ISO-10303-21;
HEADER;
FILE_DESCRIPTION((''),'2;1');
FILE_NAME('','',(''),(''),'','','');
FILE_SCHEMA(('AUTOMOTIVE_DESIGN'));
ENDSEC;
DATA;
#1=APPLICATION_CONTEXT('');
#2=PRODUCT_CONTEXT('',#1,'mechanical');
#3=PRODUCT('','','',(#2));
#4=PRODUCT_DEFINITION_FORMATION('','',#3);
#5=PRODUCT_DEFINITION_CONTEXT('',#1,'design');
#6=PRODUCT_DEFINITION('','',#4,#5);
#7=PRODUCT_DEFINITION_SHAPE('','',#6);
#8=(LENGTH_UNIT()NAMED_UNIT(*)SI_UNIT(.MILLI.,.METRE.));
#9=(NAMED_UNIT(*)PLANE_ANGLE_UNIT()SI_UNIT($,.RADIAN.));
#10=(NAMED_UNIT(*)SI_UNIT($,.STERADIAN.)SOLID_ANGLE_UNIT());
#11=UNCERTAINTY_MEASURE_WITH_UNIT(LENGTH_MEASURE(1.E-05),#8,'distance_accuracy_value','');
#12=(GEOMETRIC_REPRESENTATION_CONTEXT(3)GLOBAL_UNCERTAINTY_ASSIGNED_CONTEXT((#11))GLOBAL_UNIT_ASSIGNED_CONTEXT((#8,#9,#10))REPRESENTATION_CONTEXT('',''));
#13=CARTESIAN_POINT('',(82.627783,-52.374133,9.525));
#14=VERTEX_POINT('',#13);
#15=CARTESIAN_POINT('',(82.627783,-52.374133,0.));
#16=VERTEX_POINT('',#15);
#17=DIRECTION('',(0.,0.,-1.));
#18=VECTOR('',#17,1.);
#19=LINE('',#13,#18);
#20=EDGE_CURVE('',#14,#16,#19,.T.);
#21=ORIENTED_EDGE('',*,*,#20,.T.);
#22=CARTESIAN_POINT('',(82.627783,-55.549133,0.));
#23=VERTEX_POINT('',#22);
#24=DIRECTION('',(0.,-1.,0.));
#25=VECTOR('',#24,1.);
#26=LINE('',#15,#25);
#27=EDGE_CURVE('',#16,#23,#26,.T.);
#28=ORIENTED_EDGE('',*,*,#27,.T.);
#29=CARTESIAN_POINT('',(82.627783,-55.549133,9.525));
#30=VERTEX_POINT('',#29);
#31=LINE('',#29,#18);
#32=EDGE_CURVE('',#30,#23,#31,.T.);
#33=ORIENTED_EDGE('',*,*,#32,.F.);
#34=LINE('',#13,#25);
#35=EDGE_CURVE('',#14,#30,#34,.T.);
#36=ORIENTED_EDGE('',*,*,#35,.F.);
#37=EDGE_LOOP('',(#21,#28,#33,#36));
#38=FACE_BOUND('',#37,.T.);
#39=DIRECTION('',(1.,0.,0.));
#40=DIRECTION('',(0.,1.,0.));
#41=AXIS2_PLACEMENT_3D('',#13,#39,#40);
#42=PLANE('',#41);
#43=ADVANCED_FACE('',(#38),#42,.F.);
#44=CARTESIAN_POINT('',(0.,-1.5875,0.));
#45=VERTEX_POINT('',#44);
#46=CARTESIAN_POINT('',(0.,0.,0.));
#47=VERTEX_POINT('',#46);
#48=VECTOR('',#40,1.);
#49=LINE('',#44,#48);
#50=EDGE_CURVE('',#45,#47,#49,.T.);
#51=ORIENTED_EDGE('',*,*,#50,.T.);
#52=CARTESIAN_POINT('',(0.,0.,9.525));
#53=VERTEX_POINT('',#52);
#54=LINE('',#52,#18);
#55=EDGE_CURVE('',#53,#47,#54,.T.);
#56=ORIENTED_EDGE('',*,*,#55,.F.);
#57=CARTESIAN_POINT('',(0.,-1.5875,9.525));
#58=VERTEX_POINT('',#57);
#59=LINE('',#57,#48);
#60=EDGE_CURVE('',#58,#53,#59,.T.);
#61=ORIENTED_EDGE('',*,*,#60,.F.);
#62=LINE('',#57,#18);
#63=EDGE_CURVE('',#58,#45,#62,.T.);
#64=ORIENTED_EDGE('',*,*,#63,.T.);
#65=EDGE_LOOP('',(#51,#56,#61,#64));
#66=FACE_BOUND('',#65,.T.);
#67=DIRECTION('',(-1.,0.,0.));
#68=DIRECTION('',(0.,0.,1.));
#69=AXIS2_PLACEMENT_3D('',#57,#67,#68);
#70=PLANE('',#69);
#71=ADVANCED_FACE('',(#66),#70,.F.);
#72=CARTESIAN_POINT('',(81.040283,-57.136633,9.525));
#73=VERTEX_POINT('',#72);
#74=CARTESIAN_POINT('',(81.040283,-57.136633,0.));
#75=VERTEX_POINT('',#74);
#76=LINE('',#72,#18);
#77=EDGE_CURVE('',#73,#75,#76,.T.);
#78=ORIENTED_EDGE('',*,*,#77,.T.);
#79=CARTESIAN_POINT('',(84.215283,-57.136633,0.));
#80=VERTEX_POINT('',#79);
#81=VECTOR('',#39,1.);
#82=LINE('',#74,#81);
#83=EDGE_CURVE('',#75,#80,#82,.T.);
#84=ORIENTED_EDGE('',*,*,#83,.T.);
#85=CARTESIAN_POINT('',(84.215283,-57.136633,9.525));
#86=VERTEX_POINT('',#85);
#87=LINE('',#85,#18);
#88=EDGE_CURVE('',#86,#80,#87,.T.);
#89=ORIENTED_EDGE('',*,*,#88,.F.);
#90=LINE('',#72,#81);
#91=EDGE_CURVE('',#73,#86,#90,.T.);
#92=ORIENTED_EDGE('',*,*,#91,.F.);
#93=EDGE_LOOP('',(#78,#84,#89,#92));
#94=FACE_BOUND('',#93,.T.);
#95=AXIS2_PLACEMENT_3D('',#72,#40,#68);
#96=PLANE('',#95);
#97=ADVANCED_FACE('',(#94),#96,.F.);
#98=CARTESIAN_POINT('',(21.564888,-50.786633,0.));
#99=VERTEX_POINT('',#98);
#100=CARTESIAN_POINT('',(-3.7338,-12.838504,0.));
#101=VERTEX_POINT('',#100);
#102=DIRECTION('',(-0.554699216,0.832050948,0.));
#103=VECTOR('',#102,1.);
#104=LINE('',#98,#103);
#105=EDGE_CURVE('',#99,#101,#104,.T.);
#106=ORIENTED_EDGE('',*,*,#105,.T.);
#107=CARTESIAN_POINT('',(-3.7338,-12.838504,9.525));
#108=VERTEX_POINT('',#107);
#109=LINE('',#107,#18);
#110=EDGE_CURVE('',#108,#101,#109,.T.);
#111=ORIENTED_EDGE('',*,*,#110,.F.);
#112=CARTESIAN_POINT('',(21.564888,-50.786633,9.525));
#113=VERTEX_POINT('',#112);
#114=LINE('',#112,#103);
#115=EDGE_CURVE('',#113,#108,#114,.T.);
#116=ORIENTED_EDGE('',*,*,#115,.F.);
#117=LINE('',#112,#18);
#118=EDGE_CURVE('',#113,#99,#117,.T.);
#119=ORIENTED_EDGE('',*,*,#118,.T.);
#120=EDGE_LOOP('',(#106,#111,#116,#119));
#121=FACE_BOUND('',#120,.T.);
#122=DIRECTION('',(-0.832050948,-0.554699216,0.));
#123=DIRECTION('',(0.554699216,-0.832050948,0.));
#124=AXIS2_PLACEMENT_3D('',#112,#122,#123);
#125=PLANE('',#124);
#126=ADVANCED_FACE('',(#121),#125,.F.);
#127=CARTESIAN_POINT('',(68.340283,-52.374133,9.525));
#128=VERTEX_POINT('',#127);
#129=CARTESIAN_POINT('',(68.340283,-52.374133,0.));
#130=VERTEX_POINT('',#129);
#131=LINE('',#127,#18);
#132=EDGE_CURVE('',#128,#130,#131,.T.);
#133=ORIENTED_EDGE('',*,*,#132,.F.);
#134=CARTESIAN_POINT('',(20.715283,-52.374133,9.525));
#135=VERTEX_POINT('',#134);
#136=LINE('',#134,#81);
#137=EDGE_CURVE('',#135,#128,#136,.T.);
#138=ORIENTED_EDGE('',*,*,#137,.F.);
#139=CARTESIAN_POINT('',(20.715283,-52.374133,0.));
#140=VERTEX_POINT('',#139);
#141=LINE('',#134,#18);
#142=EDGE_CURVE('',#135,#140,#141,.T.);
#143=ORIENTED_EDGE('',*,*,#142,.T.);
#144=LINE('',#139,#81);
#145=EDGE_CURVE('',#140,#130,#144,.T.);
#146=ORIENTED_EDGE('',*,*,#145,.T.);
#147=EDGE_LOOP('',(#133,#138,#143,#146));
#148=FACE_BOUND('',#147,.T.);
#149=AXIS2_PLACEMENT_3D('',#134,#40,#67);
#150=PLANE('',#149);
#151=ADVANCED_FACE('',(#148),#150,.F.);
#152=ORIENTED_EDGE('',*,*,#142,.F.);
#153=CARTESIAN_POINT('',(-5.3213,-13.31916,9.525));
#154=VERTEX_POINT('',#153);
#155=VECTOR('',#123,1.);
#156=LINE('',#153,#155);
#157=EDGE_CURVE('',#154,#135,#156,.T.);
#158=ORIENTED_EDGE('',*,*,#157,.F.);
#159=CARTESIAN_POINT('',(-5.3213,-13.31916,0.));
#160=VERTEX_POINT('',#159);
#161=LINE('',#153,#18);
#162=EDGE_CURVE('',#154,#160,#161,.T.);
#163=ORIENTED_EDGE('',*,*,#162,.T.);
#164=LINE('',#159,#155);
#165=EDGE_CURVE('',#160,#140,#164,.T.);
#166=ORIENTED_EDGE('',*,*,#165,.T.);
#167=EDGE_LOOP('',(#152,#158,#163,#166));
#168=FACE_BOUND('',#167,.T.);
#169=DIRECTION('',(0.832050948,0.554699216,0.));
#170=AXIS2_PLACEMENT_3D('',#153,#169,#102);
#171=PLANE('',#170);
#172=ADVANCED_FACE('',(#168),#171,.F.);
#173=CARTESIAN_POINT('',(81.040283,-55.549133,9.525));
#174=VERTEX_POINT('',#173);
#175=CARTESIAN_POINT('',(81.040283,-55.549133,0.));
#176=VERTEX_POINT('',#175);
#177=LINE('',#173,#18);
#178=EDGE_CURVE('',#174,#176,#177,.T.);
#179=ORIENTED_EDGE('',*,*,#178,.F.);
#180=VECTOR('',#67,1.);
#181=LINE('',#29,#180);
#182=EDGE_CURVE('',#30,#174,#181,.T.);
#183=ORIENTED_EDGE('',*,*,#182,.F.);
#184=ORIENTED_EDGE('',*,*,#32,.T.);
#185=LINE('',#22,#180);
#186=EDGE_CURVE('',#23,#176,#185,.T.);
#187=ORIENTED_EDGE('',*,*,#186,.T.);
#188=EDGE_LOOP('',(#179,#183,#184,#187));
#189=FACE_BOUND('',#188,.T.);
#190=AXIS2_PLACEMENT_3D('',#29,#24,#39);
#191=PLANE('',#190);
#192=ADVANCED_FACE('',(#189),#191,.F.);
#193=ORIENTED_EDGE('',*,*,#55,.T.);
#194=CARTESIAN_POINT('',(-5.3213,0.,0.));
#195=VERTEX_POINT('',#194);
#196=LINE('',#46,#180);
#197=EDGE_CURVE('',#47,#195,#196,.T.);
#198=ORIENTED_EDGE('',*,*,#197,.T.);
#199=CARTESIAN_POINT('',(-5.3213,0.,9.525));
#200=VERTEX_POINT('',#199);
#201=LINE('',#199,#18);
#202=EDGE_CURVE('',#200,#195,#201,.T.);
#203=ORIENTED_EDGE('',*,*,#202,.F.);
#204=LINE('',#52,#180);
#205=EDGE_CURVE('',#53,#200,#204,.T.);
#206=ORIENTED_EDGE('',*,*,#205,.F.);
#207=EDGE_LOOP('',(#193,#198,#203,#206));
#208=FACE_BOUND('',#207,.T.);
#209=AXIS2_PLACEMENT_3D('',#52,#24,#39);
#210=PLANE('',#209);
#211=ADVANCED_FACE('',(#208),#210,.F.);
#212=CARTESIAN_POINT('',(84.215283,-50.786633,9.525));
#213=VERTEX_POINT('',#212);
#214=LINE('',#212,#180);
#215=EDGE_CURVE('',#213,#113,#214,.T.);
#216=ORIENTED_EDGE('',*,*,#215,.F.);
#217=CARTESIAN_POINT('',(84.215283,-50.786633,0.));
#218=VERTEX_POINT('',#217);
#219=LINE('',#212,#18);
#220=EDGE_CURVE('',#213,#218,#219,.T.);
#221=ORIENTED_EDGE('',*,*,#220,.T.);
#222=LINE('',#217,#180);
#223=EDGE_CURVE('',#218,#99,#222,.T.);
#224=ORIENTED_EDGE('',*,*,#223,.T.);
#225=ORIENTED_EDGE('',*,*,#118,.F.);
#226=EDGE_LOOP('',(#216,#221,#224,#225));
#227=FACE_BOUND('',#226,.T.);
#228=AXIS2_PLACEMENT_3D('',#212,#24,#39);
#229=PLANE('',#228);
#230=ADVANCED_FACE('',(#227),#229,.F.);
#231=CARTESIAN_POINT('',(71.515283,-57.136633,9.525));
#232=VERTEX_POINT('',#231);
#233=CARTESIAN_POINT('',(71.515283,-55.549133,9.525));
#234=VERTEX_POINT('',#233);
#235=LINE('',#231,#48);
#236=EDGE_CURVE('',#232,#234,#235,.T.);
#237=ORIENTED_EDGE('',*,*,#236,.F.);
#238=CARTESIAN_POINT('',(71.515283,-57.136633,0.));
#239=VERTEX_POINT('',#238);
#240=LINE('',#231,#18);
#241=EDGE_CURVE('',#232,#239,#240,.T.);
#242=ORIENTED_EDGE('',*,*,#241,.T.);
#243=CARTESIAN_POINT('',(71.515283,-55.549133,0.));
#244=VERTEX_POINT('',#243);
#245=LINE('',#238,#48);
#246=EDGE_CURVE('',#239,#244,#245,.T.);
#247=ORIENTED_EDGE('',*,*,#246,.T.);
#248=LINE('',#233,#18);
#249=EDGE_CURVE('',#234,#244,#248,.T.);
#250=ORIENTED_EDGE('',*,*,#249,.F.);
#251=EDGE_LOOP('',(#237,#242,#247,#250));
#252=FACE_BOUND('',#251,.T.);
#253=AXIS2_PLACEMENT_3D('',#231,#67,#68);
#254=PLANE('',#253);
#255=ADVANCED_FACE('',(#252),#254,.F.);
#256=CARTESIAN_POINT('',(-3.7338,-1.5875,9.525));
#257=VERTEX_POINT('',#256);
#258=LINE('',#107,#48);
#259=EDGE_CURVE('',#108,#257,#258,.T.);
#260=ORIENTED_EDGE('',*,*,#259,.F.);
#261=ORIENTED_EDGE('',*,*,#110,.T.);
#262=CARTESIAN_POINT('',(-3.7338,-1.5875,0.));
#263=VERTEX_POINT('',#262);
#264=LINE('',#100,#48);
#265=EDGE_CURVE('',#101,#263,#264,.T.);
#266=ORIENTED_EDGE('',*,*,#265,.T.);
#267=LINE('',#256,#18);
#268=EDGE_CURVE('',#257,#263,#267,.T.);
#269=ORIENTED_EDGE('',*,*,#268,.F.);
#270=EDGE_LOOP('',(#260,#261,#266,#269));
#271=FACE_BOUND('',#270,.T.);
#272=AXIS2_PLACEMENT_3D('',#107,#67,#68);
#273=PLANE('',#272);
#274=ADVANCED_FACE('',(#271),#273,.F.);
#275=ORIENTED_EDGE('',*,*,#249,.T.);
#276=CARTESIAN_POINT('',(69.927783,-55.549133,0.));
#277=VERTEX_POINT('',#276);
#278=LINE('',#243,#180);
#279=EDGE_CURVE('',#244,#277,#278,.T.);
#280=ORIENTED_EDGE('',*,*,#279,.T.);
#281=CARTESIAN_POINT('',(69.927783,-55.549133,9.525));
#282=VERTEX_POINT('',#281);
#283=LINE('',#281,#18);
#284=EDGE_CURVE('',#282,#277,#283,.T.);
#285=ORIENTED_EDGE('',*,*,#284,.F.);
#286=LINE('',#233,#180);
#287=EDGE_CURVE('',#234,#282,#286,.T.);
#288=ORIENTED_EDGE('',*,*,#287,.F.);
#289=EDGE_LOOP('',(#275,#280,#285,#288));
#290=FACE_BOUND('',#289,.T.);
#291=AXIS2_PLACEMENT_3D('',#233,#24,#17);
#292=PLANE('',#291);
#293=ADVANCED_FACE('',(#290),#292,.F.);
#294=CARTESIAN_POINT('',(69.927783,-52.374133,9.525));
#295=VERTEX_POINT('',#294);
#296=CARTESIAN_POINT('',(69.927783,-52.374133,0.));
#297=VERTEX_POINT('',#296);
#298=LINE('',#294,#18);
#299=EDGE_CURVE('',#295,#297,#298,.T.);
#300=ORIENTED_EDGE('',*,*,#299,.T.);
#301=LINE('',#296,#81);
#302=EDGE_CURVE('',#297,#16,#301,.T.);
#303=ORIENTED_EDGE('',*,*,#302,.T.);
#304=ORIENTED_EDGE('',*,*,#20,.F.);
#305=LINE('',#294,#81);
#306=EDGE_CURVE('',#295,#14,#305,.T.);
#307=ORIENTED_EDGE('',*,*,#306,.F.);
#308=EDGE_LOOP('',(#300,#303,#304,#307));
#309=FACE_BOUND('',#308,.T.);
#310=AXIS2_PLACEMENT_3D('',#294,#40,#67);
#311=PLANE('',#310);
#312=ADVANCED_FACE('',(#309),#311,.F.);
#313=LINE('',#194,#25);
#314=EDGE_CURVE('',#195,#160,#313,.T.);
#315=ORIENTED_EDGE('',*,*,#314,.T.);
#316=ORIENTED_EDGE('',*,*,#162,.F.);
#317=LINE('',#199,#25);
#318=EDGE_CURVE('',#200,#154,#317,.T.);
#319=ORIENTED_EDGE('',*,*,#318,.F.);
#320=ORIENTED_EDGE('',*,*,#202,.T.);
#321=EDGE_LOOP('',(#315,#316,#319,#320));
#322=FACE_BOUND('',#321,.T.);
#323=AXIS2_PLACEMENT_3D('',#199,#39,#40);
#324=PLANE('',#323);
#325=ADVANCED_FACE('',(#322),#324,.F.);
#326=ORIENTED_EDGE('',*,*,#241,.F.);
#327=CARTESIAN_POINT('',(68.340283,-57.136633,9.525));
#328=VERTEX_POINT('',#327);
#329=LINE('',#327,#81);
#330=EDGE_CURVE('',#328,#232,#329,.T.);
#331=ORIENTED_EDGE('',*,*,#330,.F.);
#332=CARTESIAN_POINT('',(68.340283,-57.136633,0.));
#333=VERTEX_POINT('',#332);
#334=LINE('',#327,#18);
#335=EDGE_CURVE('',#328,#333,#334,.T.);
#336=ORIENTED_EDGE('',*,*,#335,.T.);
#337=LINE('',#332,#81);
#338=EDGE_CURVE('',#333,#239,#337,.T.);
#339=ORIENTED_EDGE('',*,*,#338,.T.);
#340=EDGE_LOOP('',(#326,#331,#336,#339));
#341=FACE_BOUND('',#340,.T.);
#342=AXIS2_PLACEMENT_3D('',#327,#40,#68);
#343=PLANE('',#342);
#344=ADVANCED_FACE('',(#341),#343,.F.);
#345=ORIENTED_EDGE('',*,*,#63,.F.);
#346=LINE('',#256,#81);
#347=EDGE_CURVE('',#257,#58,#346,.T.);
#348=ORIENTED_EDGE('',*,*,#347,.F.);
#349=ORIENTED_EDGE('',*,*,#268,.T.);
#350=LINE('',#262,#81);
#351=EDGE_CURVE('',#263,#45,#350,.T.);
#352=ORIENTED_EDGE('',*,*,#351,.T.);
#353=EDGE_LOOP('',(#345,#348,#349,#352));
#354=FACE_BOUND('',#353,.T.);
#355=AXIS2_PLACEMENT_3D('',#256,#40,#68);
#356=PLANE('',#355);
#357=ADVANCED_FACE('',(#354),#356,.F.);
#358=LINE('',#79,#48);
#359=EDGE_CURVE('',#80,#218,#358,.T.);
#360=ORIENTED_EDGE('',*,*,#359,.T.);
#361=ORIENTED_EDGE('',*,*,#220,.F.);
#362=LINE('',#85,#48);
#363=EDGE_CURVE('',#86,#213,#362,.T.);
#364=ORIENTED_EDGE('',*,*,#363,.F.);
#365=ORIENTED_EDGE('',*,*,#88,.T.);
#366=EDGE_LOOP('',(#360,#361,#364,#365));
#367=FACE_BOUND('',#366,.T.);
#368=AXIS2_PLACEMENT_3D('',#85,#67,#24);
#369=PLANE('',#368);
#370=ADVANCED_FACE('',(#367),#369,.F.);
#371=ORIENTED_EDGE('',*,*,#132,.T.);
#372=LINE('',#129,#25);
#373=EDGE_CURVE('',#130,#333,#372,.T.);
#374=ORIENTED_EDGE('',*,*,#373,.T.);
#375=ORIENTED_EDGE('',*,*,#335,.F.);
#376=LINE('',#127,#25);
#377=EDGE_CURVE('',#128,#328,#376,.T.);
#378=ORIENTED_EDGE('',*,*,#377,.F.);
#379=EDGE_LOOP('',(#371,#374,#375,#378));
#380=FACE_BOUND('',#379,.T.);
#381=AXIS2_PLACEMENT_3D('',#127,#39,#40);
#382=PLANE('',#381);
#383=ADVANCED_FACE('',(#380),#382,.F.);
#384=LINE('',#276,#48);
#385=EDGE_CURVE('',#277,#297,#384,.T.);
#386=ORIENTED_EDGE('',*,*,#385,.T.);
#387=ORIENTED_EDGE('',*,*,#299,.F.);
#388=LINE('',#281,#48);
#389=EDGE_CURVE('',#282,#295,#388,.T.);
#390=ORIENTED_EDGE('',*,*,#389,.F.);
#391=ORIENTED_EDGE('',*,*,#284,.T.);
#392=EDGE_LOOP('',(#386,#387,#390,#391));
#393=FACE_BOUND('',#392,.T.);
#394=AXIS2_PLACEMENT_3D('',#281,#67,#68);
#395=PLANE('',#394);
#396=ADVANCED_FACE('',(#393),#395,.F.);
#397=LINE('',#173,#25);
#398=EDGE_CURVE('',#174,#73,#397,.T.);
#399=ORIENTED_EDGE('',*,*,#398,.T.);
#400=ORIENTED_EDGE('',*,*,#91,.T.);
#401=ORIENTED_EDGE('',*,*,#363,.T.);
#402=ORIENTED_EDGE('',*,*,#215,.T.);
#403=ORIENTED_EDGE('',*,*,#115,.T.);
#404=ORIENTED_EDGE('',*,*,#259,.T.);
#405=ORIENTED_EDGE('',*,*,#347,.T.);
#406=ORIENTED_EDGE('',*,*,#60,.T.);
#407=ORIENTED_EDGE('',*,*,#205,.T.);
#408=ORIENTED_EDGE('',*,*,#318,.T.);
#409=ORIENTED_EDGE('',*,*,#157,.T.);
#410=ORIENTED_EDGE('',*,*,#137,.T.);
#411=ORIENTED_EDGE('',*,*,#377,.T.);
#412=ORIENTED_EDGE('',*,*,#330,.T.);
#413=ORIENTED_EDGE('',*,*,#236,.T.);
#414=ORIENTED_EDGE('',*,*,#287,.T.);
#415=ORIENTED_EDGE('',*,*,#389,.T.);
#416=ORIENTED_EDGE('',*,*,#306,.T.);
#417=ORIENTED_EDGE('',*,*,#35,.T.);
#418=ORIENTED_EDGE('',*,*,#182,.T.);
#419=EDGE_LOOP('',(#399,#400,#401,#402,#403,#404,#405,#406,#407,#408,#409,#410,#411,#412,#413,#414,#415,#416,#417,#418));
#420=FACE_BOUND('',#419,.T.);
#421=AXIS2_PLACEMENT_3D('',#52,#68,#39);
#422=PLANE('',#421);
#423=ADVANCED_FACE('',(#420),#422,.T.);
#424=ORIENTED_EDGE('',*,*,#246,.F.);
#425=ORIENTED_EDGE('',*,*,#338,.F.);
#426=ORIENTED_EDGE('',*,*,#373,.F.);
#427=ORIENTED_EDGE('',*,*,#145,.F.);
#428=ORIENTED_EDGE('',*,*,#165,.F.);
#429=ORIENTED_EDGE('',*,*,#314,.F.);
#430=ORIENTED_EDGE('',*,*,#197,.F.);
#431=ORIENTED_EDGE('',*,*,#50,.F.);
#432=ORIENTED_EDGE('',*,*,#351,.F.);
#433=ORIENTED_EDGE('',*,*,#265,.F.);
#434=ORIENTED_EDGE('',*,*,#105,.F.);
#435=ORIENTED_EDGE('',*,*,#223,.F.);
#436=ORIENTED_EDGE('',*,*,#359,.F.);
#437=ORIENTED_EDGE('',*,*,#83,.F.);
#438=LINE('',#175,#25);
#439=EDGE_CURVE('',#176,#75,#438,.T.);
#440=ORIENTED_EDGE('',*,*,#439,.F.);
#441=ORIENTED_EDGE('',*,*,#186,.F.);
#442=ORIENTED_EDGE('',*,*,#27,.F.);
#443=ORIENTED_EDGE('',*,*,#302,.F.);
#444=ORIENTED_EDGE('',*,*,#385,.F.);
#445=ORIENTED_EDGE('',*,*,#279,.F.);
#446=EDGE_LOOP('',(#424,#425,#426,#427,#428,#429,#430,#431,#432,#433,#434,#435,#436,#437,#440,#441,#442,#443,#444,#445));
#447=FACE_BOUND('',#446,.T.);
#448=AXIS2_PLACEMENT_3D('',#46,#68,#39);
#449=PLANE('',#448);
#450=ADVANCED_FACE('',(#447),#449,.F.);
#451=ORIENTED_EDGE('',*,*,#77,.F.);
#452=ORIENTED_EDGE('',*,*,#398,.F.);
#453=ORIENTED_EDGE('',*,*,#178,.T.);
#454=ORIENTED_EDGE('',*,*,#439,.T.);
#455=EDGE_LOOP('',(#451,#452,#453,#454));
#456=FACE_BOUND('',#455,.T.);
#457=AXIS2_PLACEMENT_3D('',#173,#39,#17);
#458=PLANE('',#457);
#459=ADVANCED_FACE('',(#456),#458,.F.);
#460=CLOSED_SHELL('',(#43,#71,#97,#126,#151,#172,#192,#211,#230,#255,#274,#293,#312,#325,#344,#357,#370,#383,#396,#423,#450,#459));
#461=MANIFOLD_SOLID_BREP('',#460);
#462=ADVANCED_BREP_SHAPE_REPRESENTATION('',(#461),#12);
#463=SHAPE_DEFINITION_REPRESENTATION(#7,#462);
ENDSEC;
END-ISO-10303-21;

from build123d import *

# Parameters (mm, degrees)
BOSS_EXTRUDE1_DEPTH = 9.525


with BuildPart() as part:
    # Sketch1 → Boss-Extrude1 (new body)
    with BuildSketch(Plane.XY):
        Polygon((0, 0), (-5.3213, 0), (-5.3213, -13.319159726), (20.715282574, -52.374133315), (68.340282574, -52.374133315), (68.340282574, -57.136633315), (71.515282574, -57.136633315), (71.515282574, -55.549133315), (69.927782574, -55.549133315), (69.927782574, -52.374133315), (82.627782574, -52.374133315), (82.627782574, -55.549133315), (81.040282574, -55.549133315), (81.040282574, -57.136633315), (84.215282574, -57.136633315), (84.215282574, -50.786633315), (21.564887994, -50.786633315), (-3.7338, -12.838504422), (-3.7338, -1.5875), (0, -1.5875), align=None)
    extrude(amount=BOSS_EXTRUDE1_DEPTH)


solid = part.part
